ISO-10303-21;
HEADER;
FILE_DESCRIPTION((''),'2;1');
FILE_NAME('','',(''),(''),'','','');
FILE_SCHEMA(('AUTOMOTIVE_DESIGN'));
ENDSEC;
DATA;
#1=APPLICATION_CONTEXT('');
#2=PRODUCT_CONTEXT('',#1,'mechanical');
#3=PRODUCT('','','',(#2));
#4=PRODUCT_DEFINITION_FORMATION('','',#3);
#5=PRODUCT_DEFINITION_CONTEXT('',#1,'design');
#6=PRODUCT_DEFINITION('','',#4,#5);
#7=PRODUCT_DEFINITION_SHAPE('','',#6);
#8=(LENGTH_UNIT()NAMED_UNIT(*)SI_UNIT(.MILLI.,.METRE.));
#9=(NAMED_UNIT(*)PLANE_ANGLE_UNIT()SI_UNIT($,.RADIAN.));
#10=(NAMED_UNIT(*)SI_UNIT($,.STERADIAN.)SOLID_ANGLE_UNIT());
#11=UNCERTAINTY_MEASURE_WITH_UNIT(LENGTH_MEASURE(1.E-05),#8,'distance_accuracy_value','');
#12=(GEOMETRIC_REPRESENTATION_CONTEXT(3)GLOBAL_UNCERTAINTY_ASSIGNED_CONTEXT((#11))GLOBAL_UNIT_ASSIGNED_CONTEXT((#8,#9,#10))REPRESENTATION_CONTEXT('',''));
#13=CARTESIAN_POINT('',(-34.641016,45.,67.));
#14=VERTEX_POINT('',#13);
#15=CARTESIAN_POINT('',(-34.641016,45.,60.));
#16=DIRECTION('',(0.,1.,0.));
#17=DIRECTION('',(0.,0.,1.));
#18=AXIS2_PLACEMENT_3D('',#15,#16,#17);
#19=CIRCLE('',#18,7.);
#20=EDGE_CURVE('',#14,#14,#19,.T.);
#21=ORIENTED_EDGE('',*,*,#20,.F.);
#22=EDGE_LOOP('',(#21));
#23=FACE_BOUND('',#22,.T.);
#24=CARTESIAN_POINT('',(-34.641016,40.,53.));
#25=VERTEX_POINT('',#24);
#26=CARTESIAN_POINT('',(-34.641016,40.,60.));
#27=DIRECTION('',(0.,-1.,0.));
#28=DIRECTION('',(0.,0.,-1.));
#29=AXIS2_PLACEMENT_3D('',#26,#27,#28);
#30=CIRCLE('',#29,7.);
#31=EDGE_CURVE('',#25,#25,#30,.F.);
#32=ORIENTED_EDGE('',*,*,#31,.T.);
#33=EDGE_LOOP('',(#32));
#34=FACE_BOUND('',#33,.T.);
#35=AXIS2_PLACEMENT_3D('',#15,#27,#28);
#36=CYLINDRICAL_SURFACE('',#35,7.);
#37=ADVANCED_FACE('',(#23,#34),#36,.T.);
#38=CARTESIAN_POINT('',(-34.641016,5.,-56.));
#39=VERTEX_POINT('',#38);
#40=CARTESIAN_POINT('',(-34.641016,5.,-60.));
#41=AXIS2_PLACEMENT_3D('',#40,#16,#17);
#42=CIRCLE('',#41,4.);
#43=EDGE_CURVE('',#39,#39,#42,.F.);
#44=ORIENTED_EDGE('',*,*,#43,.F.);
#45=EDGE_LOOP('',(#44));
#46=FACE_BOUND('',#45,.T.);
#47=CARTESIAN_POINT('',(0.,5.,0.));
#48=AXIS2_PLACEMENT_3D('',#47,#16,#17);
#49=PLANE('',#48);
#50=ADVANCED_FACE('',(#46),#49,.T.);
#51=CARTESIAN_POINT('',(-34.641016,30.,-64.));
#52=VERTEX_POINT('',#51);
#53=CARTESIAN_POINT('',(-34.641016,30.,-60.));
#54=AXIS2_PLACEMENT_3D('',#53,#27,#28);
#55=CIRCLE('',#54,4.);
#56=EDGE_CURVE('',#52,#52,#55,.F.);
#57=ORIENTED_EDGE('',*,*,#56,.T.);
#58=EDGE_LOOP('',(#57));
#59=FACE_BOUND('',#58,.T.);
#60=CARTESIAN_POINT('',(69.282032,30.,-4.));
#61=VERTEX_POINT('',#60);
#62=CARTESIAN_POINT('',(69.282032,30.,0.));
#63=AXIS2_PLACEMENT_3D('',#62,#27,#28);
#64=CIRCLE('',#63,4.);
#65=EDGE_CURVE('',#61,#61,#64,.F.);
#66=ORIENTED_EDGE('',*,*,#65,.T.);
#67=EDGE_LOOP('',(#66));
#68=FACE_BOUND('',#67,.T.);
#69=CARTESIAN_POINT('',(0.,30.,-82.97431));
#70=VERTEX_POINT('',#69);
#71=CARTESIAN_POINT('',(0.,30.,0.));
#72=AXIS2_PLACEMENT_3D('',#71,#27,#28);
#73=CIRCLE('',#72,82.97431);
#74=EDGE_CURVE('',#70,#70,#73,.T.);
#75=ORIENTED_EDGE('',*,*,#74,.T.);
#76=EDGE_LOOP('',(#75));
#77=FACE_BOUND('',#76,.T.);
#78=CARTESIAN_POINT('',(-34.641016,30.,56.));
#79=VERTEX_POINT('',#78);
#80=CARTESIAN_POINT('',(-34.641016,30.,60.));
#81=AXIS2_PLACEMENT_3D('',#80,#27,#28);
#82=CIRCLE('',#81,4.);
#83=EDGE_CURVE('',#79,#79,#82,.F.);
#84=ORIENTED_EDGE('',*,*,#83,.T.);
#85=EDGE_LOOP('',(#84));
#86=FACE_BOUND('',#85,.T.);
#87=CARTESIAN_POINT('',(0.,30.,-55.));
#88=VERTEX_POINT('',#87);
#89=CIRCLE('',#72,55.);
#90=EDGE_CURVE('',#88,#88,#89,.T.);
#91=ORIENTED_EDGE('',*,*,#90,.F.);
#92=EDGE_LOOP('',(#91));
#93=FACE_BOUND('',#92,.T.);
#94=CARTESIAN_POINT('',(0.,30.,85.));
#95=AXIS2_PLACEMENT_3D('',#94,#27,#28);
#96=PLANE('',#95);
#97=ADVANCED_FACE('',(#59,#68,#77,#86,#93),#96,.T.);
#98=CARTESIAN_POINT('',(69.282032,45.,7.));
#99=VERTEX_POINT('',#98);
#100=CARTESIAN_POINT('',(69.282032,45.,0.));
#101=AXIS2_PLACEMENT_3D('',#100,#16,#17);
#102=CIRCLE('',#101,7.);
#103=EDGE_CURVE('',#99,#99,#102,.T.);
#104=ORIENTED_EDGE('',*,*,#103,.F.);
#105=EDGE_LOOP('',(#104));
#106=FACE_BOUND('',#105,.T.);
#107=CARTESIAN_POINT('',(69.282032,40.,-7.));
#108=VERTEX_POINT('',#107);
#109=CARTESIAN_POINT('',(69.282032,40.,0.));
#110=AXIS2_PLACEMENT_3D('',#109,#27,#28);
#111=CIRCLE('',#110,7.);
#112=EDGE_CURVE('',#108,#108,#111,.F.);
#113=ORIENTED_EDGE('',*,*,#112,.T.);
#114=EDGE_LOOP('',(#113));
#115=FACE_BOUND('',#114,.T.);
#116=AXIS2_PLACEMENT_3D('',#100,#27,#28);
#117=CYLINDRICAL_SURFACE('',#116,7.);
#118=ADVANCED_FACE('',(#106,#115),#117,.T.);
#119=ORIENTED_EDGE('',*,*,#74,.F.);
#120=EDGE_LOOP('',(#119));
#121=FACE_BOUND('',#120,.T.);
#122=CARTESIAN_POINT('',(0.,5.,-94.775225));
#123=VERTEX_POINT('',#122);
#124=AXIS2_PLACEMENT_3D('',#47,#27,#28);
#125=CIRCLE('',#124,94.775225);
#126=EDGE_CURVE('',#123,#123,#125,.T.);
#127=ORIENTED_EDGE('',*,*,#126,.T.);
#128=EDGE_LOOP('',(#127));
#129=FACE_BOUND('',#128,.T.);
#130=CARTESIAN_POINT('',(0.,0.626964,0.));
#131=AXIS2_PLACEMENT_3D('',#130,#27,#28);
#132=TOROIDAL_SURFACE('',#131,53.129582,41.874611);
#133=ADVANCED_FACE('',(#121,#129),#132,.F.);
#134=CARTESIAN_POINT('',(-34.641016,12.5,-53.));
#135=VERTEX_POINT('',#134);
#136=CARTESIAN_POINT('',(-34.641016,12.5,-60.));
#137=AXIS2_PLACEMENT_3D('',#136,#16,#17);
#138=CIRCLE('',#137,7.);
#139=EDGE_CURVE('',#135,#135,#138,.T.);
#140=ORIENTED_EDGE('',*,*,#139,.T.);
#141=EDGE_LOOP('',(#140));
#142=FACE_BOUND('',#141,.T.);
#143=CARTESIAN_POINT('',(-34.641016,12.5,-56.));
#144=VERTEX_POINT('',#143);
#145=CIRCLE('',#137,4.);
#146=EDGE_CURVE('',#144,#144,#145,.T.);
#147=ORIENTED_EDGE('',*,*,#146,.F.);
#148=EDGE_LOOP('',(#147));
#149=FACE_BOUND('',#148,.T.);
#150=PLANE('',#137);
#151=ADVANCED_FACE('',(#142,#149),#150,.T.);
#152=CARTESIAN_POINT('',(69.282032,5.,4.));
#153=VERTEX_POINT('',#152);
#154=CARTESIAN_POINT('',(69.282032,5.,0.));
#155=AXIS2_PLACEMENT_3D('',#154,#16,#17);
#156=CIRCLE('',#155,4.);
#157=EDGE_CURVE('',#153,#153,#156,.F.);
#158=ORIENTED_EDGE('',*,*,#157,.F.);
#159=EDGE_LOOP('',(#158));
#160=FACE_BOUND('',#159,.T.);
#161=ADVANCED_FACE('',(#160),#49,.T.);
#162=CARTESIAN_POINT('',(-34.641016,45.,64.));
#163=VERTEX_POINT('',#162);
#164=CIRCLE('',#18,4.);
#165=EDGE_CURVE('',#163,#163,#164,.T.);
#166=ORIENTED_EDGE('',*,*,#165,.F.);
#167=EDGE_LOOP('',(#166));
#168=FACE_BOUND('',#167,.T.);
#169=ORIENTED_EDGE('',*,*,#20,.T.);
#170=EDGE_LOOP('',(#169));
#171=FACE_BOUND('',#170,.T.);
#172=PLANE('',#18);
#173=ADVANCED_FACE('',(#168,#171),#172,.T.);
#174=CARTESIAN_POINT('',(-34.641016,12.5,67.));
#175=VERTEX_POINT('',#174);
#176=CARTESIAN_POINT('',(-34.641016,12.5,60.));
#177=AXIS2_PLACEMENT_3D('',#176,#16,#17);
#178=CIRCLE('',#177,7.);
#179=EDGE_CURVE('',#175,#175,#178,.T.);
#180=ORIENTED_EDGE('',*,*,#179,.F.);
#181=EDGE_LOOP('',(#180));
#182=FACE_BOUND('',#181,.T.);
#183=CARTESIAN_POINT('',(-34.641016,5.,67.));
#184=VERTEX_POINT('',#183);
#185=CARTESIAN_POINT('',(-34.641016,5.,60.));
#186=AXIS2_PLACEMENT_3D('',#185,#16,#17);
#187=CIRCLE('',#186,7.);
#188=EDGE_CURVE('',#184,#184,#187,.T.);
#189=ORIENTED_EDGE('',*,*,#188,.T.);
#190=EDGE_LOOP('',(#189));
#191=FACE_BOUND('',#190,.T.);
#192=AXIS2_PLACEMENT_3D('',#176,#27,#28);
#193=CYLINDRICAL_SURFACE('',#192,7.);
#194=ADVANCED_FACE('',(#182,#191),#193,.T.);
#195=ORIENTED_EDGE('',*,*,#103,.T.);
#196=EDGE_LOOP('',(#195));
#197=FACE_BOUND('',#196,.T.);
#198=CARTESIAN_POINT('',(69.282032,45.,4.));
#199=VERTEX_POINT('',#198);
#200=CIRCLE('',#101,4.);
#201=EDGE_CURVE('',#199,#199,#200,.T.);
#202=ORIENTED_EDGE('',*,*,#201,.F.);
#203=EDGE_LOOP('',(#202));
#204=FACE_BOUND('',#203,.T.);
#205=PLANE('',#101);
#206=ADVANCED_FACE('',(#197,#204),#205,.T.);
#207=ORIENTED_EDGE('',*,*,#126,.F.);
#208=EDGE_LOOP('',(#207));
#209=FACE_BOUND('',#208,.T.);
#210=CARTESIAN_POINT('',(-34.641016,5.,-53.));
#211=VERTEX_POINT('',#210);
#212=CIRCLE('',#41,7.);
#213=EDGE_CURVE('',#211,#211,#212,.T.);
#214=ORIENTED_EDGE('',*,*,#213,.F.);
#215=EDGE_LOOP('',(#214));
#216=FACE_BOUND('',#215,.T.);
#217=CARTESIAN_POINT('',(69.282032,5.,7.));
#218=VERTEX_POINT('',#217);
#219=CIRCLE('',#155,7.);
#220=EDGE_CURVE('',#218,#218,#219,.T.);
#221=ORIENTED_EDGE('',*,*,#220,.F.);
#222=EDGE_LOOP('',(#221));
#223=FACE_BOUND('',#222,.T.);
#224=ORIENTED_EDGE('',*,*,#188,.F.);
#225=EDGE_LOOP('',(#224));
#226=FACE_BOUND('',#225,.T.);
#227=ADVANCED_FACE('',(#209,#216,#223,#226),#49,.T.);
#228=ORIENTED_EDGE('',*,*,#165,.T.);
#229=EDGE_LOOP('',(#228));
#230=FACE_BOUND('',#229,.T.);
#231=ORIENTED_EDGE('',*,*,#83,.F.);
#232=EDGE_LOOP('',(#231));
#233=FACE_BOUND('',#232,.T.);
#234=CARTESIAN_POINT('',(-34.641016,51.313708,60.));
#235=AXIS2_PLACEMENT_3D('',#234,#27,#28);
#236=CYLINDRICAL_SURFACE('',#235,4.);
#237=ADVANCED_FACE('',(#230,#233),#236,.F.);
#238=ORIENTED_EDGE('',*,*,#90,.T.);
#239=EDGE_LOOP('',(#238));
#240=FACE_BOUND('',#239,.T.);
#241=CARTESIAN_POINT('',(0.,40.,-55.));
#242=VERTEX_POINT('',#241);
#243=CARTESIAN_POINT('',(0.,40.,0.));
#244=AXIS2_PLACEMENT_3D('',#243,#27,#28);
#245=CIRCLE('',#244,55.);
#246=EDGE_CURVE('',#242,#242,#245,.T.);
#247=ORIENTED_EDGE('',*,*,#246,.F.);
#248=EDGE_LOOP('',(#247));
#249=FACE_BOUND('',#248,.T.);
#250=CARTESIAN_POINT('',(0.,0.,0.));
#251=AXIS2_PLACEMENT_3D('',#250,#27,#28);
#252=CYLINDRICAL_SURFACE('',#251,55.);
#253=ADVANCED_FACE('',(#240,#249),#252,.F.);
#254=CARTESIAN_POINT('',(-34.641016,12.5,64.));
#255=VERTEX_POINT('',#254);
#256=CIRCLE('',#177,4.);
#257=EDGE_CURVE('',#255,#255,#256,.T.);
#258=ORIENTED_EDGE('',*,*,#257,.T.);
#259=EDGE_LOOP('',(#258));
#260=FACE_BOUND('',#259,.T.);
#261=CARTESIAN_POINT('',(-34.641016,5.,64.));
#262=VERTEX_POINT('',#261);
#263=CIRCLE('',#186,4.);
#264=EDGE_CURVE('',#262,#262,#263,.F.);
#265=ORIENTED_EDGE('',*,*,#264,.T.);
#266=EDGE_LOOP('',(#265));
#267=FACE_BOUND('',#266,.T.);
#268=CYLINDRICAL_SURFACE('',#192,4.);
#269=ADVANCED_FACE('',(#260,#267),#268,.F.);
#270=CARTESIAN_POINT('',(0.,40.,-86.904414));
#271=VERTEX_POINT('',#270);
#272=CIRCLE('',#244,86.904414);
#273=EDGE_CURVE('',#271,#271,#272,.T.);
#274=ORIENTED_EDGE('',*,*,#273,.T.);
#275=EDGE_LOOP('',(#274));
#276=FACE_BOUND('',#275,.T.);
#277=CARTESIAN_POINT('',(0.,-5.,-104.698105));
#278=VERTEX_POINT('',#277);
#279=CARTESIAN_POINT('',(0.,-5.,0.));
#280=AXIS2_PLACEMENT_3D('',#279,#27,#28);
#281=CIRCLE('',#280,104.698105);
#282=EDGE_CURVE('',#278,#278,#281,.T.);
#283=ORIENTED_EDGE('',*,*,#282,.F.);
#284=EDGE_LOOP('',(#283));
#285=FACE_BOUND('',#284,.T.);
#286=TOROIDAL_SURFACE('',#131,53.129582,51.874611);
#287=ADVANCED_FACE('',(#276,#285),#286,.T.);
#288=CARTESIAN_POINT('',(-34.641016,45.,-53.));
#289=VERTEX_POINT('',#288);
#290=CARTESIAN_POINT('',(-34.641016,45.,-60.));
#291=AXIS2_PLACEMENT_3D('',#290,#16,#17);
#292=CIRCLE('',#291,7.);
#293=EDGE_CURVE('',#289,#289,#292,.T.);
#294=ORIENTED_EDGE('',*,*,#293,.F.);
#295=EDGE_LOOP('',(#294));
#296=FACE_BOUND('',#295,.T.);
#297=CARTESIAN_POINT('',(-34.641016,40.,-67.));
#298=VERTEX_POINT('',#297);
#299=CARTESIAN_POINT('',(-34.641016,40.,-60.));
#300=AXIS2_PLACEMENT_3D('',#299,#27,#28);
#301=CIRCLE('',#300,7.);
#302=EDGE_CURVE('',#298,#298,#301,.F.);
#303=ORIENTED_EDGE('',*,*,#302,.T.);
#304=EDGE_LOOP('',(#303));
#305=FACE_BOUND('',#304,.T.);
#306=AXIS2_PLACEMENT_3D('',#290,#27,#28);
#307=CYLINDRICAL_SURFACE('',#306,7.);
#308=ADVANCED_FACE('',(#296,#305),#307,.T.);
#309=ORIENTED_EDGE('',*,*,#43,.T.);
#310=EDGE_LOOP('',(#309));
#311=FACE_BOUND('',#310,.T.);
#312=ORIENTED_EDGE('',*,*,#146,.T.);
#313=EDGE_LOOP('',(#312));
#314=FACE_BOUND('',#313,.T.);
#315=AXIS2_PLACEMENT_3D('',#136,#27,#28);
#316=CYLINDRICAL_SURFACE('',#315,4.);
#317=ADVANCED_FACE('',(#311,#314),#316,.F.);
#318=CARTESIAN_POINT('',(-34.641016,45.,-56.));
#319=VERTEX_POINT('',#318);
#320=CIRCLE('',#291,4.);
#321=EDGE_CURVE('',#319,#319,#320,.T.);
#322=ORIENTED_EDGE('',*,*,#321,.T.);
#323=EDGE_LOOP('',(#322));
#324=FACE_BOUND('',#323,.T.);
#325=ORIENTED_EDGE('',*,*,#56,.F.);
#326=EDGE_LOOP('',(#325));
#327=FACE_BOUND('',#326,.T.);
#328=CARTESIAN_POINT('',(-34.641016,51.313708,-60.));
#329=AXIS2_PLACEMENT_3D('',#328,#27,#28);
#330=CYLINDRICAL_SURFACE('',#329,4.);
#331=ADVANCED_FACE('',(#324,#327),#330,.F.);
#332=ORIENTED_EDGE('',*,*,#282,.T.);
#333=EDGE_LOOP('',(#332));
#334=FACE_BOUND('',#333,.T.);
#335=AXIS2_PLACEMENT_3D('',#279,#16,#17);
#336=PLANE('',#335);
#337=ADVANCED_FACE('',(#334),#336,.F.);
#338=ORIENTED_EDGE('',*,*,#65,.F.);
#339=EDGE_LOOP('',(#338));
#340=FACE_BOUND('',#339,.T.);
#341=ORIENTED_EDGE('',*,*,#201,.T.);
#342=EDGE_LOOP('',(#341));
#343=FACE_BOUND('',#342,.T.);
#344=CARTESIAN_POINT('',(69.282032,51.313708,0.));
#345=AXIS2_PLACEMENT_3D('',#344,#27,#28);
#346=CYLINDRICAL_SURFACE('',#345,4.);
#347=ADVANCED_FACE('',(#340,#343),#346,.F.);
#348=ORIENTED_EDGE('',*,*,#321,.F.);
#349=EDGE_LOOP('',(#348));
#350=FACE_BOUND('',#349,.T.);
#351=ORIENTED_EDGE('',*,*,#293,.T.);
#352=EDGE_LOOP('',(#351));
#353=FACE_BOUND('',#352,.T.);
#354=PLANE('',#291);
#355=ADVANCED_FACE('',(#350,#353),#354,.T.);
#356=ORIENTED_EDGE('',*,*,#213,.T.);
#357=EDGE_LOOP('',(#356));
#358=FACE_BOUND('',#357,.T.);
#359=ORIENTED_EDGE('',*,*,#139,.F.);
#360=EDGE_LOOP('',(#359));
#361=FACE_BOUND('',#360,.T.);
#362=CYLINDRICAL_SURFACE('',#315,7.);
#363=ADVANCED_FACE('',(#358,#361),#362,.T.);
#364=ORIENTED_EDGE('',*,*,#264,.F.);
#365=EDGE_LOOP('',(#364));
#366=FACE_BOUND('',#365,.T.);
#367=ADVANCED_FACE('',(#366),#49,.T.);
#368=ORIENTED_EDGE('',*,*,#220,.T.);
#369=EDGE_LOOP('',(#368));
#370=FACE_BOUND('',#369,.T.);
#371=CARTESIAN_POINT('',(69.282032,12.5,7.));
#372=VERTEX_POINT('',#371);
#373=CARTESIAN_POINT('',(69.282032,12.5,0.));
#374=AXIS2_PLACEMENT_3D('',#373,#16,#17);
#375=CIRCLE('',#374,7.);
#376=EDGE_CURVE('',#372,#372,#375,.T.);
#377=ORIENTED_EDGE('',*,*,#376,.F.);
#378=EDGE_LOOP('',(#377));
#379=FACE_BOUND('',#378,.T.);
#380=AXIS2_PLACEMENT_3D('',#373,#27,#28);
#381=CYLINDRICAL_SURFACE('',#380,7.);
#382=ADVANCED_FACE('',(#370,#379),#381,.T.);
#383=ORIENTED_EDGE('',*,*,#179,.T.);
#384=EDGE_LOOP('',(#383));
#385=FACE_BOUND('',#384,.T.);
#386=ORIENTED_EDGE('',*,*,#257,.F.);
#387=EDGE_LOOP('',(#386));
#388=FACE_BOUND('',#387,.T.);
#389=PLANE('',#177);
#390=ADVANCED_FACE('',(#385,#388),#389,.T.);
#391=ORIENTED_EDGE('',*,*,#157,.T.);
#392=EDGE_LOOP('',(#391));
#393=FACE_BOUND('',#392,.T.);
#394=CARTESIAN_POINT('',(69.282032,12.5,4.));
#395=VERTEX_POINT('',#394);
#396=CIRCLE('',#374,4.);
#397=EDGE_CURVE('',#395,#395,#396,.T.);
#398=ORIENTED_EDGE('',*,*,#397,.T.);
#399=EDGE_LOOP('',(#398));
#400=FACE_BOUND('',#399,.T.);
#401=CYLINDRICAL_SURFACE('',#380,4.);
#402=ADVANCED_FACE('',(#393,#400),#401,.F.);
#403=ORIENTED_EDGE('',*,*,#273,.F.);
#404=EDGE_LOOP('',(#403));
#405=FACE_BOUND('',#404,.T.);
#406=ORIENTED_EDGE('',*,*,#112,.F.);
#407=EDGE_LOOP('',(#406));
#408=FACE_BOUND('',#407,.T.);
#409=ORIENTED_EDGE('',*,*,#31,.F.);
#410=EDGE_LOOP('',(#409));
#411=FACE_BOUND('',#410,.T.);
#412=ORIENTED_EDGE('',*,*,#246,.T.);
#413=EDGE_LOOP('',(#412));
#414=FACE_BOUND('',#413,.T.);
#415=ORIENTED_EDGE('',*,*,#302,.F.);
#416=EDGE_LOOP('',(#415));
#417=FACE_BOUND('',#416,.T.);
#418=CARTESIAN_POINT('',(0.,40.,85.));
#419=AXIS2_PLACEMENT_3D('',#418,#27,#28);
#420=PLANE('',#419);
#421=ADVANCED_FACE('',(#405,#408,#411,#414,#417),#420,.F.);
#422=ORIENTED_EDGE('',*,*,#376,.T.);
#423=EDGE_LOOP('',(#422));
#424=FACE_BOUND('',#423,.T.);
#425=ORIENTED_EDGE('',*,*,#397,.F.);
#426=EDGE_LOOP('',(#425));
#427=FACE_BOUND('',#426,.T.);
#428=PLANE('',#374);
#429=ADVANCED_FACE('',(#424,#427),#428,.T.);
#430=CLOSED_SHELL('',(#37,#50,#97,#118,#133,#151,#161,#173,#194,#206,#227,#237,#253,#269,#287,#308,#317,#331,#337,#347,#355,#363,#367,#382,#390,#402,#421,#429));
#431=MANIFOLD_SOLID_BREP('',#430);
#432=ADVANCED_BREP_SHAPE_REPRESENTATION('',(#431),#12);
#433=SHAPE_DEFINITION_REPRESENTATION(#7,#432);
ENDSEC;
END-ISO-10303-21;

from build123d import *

# Parameters (mm, degrees)
SKETCH4_R           = 4
CUT_EXTRUDE1_DEPTH  = 35
SKETCH5_R           = 7
SKETCH5_R_2         = 4
BOSS_EXTRUDE1_DEPTH = 7.5
SKETCH6_R           = 7
SKETCH6_R_2         = 4
BOSS_EXTRUDE3_DEPTH = 5


with BuildPart() as part:
    # Sketch2 → Revolve-Thin7 (revolve)
    with BuildSketch(Plane(origin=(0, 0, 0), x_dir=(0, 0, -1), z_dir=(1, 0, 0)), mode=Mode.PRIVATE) as revolve_thin7_sk:
        with BuildLine():
            Line((0, 5), (-94.77522535, 5))
            ThreePointArc((-94.77522535, 5), (-90.99735594, 18.501939345), (-82.974310102, 30))
            Line((-82.974310102, 30), (-55, 30))
            Line((-55, 30), (-55, 40))
            Line((-55, 40), (-86.90441422, 40))
            ThreePointArc((-86.90441422, 40), (-101.369835612, 19.701900438), (-104.698104926, -5))
            Line((-104.698104926, -5), (0, -5))
            Line((0, -5), (0, 5))
        make_face()
    revolve(revolve_thin7_sk.sketch.rotate(Axis((0, 0, 0), (0, 1, 0)), 180), axis=Axis((0, 0, 0), (0, 1, 0)))

    # Sketch4 → Cut-Extrude1 (cut)
    with BuildSketch(Plane(origin=(0, 5, 0), x_dir=(1, 0, 0), z_dir=(0, 1, 0))):
        with Locations(Location((69.282032303, 0, 0), (0, 0, 90))):
            Circle(SKETCH4_R)
        with Locations(Location((-34.641016151, 60, 0), (0, 0, 90))):
            Circle(SKETCH4_R)
        with Locations(Location((-34.641016151, -60, 0), (0, 0, 90))):
            Circle(SKETCH4_R)
    extrude(amount=CUT_EXTRUDE1_DEPTH, mode=Mode.SUBTRACT)

    # Sketch5 → Boss-Extrude1 (add)
    # profile 1 of 3: a face of its own
    with BuildSketch(Plane(origin=(0, 5, 0), x_dir=(1, 0, 0), z_dir=(0, 1, 0))):
        with Locations(Location((-34.641016151, 60, 0), (0, 0, 270))):
            Circle(SKETCH5_R)
        with Locations(Location((-34.641016151, 60, 0), (0, 0, 90))):
            Circle(SKETCH5_R_2, mode=Mode.SUBTRACT)
    # profile 2 of 3: a face of its own
    with BuildSketch(Plane(origin=(0, 5, 0), x_dir=(1, 0, 0), z_dir=(0, 1, 0))):
        with Locations(Location((-34.641016151, -60, 0), (0, 0, 270))):
            Circle(SKETCH5_R)
        with Locations(Location((-34.641016151, -60, 0), (0, 0, 90))):
            Circle(SKETCH5_R_2, mode=Mode.SUBTRACT)
    # profile 3 of 3: a face of its own
    with BuildSketch(Plane(origin=(0, 5, 0), x_dir=(1, 0, 0), z_dir=(0, 1, 0))):
        with Locations(Location((69.282032303, 0, 0), (0, 0, 270))):
            Circle(SKETCH5_R)
        with Locations(Location((69.282032303, 0, 0), (0, 0, 90))):
            Circle(SKETCH5_R_2, mode=Mode.SUBTRACT)
    extrude(amount=BOSS_EXTRUDE1_DEPTH)

    # Sketch6 → Boss-Extrude3 (add)
    # profile 1 of 3: a face of its own
    with BuildSketch(Plane(origin=(0, 40, 0), x_dir=(1, 0, 0), z_dir=(0, 1, 0))):
        with Locations(Location((-34.641016151, -60, 0), (0, 0, 270))):
            Circle(SKETCH6_R)
        with Locations(Location((-34.641016151, -60, 0), (0, 0, 90))):
            Circle(SKETCH6_R_2, mode=Mode.SUBTRACT)
    # profile 2 of 3: a face of its own
    with BuildSketch(Plane(origin=(0, 40, 0), x_dir=(1, 0, 0), z_dir=(0, 1, 0))):
        with Locations(Location((-34.641016151, 60, 0), (0, 0, 270))):
            Circle(SKETCH6_R)
        with Locations(Location((-34.641016151, 60, 0), (0, 0, 90))):
            Circle(SKETCH6_R_2, mode=Mode.SUBTRACT)
    # profile 3 of 3: a face of its own
    with BuildSketch(Plane(origin=(0, 40, 0), x_dir=(1, 0, 0), z_dir=(0, 1, 0))):
        with Locations(Location((69.282032303, 0, 0), (0, 0, 270))):
            Circle(SKETCH6_R)
        with Locations(Location((69.282032303, 0, 0), (0, 0, 90))):
            Circle(SKETCH6_R_2, mode=Mode.SUBTRACT)
    extrude(amount=BOSS_EXTRUDE3_DEPTH)


solid = part.part
